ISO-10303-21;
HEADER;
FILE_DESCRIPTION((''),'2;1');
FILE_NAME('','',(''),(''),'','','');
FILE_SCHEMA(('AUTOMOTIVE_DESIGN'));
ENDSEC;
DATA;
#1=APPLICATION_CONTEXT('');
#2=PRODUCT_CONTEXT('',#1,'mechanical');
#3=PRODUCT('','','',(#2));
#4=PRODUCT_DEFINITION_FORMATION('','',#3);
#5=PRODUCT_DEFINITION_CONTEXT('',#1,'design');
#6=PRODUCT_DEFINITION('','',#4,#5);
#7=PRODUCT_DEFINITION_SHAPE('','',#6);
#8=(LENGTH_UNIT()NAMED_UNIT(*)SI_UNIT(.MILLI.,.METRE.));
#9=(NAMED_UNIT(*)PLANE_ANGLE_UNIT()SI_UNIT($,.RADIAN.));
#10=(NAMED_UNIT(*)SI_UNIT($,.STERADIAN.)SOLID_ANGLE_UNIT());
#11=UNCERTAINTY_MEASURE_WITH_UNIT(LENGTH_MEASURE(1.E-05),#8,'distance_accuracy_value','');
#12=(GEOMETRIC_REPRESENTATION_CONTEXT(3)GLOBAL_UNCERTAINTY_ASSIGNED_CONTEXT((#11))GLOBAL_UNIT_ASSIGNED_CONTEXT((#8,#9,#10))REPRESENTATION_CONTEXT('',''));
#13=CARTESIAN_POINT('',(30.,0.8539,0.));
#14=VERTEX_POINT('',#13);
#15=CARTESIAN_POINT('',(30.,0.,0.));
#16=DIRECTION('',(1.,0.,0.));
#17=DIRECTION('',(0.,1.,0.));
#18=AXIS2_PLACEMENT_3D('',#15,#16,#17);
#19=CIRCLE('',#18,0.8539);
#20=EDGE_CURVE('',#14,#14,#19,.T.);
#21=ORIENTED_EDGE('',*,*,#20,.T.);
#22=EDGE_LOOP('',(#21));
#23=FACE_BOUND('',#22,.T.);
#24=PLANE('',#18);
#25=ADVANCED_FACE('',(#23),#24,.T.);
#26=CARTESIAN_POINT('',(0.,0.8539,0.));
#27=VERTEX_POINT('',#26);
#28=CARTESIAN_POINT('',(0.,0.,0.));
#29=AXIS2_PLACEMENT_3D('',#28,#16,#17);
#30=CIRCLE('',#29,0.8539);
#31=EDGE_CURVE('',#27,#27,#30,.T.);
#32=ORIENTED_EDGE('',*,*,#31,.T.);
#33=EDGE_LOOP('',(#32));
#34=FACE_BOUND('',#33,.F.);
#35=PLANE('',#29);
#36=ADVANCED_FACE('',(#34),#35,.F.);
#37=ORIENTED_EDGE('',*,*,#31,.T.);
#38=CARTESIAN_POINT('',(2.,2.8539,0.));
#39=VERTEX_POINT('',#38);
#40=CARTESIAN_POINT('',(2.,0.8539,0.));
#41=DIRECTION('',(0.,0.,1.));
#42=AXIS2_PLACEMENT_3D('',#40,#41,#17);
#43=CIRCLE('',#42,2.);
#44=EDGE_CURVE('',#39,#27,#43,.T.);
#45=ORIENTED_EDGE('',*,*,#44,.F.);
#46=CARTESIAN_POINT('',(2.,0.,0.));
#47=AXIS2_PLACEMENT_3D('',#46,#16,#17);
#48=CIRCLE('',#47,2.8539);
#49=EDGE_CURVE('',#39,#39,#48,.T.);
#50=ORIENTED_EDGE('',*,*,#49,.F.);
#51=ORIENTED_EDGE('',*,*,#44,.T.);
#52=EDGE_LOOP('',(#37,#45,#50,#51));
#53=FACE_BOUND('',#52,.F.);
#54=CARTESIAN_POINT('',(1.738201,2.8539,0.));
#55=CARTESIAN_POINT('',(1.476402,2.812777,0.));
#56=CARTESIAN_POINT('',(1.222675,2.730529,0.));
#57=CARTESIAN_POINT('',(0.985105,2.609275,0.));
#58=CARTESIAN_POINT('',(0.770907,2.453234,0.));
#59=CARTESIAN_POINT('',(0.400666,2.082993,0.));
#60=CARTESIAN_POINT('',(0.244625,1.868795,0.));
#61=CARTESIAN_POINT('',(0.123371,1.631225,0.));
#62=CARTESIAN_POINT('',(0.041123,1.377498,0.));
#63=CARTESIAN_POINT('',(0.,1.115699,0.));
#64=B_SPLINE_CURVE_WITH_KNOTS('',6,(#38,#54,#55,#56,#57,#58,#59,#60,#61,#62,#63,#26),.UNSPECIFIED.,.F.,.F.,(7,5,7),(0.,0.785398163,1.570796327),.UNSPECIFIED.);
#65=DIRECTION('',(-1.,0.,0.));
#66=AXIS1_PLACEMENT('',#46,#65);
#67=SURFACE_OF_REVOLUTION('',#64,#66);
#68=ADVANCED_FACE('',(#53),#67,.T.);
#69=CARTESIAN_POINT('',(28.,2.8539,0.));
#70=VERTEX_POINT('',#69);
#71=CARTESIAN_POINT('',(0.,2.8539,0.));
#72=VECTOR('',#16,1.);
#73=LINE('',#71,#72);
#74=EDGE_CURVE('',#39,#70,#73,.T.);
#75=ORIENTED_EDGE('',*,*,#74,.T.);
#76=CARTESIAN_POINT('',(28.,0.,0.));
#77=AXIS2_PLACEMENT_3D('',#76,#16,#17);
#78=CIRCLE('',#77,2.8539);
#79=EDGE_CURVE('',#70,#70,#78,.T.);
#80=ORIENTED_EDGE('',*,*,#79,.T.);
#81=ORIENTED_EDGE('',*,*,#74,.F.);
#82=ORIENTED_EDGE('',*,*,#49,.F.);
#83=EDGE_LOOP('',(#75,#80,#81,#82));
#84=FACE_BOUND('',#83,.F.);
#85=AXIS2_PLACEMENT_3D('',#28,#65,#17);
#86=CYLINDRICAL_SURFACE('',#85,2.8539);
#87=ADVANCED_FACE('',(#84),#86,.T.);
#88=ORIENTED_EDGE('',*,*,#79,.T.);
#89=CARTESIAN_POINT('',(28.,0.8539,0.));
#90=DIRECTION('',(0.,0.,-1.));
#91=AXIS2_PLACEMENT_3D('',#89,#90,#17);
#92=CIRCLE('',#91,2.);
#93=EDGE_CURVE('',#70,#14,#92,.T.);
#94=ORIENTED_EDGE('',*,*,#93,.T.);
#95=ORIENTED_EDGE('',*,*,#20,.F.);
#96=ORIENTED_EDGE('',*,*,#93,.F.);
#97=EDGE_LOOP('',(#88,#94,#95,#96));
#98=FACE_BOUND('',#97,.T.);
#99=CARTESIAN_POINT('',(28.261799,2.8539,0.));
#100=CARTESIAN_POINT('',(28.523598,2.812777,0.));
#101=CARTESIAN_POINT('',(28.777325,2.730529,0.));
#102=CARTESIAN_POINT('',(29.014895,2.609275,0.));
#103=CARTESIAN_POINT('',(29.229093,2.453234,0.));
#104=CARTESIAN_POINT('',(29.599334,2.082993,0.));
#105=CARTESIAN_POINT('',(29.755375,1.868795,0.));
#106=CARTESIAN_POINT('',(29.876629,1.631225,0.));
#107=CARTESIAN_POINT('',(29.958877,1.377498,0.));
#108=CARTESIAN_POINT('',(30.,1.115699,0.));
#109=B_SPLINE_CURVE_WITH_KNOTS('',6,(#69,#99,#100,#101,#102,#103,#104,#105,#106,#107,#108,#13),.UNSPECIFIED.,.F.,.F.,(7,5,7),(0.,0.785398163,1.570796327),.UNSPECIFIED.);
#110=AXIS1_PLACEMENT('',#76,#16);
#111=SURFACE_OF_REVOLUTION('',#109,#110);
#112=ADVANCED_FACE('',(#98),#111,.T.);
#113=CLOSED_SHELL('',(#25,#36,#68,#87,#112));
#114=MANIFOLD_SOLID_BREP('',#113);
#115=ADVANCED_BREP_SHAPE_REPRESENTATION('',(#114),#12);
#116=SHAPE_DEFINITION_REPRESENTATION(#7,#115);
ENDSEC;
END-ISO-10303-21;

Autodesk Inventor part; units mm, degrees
ref_plane "YZ Plane" through (0, 0, 0) normal (1, 0, 0) x (0, 1, 0)
ref_plane "XZ Plane" through (0, 0, 0) normal (0, 1, 0) x (-1, 0, 0)
ref_plane "XY Plane" through (0, 0, 0) normal (0, 0, 1) x (1, 0, 0)
sketch "Sketch1" plane through (0, 0, 0) normal (1, 0, 0) x (0, 1, 0)
  circle A0 centre (0, 0) radius 2.8539
extrude "Extrusion1" add sketch "Sketch1" along normal blind 30
fillet "Fillet1" radius 2 2 edges at (30, -2.8539, 0) (0, -2.8539, 0)
properties part number "ecoli"
